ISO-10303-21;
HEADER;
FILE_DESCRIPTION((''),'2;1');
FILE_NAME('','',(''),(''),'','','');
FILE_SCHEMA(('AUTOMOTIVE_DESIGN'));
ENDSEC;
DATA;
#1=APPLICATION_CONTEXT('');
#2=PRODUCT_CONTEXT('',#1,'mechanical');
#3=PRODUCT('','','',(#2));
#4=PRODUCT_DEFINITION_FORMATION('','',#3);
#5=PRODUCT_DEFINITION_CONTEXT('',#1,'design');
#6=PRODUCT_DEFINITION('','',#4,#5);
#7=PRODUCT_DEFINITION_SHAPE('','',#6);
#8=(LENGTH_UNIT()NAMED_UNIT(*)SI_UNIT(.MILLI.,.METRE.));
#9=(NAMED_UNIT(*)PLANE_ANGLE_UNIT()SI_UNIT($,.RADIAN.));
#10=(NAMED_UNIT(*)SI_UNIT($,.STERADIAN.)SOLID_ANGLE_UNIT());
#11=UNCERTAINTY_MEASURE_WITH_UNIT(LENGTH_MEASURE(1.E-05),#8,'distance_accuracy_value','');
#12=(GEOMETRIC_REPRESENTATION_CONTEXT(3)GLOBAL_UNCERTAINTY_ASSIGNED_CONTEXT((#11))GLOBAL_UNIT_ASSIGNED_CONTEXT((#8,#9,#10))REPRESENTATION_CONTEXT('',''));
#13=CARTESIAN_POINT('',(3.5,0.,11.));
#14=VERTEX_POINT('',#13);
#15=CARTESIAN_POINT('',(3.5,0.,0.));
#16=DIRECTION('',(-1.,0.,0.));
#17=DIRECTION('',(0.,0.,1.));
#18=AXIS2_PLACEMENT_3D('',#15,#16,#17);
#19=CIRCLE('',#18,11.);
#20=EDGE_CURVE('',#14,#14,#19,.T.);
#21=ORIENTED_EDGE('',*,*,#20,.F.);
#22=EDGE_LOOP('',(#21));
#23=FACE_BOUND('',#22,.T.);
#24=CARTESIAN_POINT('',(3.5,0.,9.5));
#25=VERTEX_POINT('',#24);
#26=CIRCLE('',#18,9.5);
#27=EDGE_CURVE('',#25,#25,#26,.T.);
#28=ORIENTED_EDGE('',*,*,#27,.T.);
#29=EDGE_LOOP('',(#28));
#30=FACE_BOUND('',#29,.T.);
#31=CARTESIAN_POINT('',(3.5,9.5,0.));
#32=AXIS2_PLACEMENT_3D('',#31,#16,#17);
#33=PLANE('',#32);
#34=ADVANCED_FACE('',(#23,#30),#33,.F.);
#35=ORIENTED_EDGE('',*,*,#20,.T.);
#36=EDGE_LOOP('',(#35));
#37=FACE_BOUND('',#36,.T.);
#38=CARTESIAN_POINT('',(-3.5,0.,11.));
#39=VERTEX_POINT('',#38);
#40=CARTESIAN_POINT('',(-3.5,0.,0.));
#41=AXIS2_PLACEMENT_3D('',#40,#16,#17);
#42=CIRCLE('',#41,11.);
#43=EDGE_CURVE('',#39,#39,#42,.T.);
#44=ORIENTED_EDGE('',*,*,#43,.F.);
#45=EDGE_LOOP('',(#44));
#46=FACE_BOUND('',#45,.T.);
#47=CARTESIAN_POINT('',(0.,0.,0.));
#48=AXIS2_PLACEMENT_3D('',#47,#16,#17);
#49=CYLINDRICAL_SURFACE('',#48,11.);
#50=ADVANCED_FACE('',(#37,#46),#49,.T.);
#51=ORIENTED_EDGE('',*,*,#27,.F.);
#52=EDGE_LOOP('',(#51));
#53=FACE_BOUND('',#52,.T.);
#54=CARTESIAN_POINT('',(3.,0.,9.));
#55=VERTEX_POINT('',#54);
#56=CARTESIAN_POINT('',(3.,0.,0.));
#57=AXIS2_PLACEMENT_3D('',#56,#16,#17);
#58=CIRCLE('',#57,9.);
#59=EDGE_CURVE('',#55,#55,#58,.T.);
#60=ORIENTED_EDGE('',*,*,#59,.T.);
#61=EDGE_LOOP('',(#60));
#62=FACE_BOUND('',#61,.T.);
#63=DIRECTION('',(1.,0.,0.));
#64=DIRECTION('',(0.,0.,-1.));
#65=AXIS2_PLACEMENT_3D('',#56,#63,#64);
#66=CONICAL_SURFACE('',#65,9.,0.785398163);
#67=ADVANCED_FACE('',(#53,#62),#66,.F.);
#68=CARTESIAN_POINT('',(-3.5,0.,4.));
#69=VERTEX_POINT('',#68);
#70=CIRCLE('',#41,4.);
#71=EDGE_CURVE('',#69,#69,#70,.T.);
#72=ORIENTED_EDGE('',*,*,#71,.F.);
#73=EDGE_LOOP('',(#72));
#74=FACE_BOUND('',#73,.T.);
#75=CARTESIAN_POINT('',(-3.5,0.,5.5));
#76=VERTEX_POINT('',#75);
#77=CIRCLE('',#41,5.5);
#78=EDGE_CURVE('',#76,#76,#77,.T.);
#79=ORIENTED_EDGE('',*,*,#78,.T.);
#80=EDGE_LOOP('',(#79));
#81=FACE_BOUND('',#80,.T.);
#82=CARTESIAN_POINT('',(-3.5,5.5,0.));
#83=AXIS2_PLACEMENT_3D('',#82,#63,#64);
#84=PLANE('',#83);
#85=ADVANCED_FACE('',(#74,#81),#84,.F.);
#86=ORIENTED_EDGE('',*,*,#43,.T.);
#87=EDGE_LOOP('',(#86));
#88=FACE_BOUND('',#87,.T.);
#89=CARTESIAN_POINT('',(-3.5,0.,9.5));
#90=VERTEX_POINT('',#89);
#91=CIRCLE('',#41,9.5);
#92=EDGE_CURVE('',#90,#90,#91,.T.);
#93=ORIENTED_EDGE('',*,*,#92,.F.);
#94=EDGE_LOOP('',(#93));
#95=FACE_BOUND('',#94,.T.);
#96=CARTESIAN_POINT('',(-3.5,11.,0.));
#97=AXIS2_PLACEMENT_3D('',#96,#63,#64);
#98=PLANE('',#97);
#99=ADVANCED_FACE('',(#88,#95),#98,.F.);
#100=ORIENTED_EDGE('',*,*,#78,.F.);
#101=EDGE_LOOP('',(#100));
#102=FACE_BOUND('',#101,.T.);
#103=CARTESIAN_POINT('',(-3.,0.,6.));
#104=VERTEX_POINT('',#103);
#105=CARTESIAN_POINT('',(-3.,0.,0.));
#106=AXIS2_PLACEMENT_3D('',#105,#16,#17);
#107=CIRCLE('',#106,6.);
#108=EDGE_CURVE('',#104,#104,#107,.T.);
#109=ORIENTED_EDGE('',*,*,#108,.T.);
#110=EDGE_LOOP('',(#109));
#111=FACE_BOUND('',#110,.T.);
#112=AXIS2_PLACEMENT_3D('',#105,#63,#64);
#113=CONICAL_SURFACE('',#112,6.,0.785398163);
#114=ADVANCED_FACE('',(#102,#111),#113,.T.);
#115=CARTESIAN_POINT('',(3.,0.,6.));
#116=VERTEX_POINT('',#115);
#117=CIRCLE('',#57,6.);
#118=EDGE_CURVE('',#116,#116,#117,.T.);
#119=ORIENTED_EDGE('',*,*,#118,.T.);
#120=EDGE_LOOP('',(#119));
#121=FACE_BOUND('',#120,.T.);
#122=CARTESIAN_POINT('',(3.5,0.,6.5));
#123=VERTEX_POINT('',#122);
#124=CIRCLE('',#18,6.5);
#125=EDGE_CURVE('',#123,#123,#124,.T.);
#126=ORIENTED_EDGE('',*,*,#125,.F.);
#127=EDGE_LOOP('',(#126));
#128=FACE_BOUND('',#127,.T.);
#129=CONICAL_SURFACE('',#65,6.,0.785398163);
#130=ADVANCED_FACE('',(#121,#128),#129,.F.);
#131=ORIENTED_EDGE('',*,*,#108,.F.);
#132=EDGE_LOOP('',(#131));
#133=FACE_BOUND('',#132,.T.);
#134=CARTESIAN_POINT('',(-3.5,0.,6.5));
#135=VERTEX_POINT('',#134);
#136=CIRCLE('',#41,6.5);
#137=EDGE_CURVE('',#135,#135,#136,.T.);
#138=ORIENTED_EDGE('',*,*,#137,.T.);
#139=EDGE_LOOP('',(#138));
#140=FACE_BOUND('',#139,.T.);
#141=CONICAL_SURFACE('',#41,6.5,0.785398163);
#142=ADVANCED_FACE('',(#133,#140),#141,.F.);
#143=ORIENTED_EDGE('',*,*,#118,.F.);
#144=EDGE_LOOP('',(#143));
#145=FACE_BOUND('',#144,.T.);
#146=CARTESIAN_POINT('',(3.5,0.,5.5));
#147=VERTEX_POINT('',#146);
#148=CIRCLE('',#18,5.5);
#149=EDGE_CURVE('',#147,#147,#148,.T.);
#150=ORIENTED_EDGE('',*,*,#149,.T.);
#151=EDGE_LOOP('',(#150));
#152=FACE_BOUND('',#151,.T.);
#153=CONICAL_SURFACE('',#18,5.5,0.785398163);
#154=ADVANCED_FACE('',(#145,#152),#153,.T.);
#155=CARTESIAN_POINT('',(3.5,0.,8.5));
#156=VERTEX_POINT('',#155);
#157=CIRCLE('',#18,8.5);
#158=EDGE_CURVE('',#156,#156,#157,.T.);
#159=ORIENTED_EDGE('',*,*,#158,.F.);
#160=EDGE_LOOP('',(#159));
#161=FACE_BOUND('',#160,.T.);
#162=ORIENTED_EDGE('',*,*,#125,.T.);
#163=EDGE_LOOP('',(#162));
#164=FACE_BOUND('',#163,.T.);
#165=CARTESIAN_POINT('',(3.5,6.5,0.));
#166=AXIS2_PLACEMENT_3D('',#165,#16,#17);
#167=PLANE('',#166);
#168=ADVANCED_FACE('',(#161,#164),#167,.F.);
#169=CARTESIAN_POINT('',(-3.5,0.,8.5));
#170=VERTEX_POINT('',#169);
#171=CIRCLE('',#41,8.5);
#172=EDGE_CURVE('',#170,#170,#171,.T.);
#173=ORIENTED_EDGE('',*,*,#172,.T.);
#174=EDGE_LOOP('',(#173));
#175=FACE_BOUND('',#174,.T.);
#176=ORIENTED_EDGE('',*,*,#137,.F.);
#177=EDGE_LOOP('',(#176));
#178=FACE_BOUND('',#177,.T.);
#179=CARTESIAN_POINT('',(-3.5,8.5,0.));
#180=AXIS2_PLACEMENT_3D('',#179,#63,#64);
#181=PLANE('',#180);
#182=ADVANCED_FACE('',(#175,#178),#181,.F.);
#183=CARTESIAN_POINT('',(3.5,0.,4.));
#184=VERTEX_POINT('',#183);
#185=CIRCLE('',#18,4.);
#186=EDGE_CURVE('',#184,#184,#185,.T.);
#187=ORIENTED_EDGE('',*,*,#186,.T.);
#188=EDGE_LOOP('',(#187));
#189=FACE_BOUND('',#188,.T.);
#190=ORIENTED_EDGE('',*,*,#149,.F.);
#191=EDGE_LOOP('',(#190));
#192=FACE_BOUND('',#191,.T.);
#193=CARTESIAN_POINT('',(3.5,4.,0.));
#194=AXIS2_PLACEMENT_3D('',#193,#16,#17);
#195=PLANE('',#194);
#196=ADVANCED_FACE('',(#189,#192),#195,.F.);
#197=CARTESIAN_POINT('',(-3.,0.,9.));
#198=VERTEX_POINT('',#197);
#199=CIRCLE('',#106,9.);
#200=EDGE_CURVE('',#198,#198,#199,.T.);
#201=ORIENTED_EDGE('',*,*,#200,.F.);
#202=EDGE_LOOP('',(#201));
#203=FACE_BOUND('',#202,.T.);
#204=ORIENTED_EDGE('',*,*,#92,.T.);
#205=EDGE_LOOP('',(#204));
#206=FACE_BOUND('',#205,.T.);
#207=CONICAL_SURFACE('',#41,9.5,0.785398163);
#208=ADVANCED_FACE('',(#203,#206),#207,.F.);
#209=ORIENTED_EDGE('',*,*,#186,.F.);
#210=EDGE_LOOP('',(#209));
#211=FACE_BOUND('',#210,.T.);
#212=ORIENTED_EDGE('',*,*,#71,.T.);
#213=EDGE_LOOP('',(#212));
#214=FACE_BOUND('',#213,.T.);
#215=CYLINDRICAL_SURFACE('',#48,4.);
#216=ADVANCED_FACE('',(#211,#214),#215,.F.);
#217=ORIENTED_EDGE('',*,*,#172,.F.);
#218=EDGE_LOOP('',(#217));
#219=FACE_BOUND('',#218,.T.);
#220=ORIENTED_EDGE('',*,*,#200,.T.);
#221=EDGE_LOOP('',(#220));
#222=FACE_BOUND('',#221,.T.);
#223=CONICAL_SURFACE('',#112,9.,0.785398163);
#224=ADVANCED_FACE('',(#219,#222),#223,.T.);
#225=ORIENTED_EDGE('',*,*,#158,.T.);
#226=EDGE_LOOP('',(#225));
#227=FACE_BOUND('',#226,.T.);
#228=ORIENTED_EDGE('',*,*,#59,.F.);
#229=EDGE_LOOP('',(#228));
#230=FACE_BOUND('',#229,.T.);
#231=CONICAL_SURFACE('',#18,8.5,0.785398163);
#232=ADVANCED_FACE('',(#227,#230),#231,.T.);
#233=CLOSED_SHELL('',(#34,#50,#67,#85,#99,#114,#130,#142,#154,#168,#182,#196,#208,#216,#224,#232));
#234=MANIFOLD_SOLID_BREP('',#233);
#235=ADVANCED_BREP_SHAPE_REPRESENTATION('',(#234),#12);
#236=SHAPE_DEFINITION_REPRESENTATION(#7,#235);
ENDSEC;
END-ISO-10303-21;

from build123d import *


with BuildPart() as part:
    # Esquisse1 → Base-Révolution (revolve)
    with BuildSketch(Plane.XY, mode=Mode.PRIVATE) as base_r_volution_sk:
        Polygon((-3.5, 4), (3.5, 4), (3.5, 5.5), (3, 6), (3.5, 6.5), (3.5, 8.5), (3, 9), (3.5, 9.5), (3.5, 11), (-3.5, 11), (-3.5, 9.5), (-3, 9), (-3.5, 8.5), (-3.5, 6.5), (-3, 6), (-3.5, 5.5), align=None)
    revolve(base_r_volution_sk.sketch.rotate(Axis((0, 0, 0), (1, 0, 0)), 90), axis=Axis((0, 0, 0), (1, 0, 0)))


solid = part.part
